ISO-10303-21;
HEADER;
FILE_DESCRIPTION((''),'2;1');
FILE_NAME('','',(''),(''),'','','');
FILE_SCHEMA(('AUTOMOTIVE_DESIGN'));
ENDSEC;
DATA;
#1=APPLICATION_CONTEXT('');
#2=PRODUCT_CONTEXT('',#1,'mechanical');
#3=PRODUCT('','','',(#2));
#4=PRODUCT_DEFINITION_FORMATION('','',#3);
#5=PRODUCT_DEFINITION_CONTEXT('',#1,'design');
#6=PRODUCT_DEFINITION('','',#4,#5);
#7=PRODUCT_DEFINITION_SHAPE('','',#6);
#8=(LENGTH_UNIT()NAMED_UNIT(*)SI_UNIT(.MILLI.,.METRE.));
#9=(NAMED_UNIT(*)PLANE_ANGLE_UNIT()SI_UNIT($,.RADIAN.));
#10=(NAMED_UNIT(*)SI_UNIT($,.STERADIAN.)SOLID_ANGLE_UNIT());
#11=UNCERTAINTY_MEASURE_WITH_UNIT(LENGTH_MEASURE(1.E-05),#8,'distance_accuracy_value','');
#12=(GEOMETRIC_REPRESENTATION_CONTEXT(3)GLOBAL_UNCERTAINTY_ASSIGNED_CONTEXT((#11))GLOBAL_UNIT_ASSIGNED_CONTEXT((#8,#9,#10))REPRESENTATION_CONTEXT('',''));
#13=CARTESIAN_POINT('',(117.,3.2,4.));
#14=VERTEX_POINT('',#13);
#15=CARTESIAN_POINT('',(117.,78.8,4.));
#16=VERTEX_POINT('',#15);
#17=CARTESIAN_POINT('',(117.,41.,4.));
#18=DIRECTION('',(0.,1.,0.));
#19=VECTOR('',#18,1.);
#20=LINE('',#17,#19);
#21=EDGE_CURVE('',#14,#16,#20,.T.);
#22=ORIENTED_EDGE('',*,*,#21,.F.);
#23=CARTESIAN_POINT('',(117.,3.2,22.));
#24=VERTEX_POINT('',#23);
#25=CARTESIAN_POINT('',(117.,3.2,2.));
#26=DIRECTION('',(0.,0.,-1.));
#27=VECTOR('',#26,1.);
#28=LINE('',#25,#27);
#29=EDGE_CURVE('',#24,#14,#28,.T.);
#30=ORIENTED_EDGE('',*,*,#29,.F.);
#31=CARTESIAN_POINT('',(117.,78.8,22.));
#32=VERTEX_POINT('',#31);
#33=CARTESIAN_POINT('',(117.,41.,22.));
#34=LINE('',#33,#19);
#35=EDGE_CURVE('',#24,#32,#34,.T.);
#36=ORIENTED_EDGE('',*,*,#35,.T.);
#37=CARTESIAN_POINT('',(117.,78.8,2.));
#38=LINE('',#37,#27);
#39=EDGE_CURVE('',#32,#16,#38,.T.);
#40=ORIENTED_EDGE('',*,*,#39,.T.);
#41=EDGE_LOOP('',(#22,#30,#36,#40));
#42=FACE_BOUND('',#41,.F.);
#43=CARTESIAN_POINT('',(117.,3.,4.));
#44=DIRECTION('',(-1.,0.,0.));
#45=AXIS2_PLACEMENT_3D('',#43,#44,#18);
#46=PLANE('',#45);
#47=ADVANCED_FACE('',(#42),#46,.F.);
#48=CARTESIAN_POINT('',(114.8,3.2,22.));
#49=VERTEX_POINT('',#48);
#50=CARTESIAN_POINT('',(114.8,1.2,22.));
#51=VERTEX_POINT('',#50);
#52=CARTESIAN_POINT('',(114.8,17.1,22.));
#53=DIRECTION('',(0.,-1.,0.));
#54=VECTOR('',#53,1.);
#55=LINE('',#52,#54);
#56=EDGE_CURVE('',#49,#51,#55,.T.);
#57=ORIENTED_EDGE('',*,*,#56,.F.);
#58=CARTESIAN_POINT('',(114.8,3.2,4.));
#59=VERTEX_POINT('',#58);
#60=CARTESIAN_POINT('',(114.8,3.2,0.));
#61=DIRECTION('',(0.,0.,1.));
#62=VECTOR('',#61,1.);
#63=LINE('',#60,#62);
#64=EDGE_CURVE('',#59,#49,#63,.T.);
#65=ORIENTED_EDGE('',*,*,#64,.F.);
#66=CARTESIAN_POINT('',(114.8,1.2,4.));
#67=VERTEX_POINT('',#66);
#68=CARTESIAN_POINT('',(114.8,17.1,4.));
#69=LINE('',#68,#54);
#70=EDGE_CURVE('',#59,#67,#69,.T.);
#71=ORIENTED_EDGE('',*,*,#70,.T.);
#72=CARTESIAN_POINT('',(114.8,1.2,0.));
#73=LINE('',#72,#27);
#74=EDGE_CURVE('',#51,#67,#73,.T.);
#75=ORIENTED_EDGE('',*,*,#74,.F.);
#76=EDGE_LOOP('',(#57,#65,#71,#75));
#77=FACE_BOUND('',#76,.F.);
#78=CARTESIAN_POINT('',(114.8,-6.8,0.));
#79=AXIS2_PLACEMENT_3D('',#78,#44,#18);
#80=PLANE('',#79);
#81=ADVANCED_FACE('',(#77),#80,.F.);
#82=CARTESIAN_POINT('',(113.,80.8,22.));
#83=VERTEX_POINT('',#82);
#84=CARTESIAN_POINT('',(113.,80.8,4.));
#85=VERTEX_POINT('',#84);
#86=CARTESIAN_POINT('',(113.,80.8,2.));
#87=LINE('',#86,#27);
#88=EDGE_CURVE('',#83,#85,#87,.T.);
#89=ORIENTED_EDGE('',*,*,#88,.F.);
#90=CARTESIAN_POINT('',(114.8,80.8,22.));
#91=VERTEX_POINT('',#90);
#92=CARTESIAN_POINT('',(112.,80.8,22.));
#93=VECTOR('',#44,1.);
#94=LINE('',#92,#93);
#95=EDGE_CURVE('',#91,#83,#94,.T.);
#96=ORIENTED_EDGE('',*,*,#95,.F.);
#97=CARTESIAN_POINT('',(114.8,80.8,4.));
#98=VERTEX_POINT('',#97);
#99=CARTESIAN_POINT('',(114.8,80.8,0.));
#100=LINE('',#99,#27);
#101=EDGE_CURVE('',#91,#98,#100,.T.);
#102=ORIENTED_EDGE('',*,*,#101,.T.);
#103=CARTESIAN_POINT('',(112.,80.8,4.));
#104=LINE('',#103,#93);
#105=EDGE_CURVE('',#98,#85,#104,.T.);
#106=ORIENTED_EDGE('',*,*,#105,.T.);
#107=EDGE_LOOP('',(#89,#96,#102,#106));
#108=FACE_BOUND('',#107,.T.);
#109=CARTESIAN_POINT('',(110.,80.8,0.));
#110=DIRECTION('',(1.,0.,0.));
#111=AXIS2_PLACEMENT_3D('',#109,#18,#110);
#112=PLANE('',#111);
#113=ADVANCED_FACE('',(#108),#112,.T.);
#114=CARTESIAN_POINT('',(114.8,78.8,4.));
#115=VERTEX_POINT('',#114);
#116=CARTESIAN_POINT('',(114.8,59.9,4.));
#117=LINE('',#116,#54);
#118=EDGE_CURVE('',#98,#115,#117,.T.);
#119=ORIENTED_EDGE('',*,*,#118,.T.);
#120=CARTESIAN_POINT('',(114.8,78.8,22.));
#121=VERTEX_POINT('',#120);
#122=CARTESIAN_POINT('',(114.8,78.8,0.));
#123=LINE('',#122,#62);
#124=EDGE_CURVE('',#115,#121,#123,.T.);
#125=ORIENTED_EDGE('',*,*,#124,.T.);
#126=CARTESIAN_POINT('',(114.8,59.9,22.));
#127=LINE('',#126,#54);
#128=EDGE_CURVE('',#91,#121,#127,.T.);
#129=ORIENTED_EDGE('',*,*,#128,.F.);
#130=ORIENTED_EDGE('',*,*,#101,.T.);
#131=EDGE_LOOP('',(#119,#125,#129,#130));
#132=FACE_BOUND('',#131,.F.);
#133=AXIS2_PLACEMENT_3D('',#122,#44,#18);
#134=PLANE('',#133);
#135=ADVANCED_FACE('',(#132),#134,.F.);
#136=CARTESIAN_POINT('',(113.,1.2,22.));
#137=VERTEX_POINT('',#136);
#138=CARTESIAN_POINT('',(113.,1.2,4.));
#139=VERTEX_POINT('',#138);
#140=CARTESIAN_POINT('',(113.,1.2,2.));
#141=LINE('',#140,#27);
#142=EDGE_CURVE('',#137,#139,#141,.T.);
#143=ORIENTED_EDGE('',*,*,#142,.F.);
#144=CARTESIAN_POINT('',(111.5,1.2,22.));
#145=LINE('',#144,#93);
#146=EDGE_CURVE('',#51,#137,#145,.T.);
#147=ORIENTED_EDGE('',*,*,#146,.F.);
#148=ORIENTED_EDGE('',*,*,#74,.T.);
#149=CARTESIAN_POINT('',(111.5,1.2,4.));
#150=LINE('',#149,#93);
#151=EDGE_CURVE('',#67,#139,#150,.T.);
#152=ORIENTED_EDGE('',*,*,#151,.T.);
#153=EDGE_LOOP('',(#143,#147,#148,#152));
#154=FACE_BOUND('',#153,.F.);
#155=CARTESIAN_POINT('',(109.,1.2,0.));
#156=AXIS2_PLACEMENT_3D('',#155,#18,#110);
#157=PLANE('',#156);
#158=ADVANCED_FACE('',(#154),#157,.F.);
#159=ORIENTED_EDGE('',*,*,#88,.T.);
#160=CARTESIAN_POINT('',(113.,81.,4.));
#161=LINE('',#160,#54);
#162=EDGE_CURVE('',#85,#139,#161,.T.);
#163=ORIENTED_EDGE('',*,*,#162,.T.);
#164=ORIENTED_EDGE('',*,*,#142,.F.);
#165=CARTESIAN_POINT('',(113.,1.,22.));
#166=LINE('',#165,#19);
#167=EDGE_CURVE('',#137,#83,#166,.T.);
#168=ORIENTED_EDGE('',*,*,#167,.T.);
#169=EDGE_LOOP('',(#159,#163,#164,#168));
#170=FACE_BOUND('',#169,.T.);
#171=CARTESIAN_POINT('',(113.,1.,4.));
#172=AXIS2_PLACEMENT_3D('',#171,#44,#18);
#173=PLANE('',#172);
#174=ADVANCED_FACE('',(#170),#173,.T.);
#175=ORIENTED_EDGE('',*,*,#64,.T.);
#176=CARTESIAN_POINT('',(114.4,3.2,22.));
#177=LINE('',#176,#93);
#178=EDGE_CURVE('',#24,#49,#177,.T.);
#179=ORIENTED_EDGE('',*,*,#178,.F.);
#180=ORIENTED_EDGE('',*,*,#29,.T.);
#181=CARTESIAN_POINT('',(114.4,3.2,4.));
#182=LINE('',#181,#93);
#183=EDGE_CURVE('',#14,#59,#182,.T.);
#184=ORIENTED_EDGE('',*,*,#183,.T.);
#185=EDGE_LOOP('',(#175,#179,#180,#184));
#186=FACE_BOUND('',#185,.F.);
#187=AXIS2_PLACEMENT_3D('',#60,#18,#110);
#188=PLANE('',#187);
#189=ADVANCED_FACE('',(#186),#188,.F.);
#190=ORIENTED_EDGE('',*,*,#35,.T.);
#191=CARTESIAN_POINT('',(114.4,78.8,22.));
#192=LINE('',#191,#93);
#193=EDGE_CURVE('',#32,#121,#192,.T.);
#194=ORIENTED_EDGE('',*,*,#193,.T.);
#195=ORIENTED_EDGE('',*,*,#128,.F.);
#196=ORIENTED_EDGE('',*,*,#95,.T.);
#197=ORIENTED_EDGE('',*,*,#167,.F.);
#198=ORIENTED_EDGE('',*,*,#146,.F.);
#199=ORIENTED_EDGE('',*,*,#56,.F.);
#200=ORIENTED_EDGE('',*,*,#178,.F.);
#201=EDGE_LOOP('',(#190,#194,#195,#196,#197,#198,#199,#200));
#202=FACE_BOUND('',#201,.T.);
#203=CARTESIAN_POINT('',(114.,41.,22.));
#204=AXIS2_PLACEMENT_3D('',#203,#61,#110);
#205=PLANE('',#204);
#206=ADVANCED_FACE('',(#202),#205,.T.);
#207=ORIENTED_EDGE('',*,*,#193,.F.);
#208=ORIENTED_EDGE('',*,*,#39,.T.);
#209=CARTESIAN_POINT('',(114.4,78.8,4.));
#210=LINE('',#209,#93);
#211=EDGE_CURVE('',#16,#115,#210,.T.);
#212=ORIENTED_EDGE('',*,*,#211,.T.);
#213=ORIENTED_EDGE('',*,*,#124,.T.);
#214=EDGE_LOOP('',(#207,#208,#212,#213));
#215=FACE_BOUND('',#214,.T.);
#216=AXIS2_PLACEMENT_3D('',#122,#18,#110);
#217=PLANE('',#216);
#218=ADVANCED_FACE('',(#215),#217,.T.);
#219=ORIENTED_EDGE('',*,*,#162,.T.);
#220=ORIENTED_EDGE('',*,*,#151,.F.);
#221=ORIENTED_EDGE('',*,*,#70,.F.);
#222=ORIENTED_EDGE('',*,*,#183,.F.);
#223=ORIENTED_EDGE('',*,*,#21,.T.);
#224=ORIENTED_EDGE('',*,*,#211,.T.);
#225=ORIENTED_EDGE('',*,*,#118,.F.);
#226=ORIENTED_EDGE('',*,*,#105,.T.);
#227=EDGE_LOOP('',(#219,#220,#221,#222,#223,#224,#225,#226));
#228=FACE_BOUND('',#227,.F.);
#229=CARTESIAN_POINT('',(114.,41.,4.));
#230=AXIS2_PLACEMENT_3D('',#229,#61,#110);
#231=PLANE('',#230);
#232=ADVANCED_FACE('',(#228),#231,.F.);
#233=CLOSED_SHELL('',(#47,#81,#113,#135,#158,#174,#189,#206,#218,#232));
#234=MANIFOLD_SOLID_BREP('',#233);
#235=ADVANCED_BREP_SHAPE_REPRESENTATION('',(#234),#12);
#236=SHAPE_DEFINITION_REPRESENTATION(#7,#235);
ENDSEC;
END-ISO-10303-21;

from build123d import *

# Parameters (mm, degrees)
BOX021_W     = 10
BOX021_H     = 10
BOX021_DEPTH = 31
BOX020_W     = 10
BOX020_H     = 10
BOX020_DEPTH = 30
BOX019_W     = 10
BOX019_H     = 10
BOX019_DEPTH = 25
BOX018_W     = 10
BOX018_H     = 10
BOX018_DEPTH = 25
BOX010_W     = 2
BOX010_H     = 80
BOX010_DEPTH = 18
BOX011_W     = 4
BOX011_H     = 76
BOX011_DEPTH = 18


with BuildPart() as w_rfel018:
    # Box021 → Box021 (new body)
    with BuildSketch(Plane(origin=(110, 80.8, 0), x_dir=(1, 0, 0), z_dir=(0, 0, 1))):
        with Locations((5, 5)):
            Rectangle(BOX021_W, BOX021_H)
    extrude(amount=BOX021_DEPTH)


with BuildPart() as w_rfel017:
    # Box020 → Box020 (new body)
    with BuildSketch(Plane(origin=(109, -8.8, 0), x_dir=(1, 0, 0), z_dir=(0, 0, 1))):
        with Locations((5, 5)):
            Rectangle(BOX020_W, BOX020_H)
    extrude(amount=BOX020_DEPTH)


with BuildPart() as w_rfel016:
    # Box019 → Box019 (new body)
    with BuildSketch(Plane(origin=(114.8, 78.8, 0), x_dir=(1, 0, 0), z_dir=(0, 0, 1))):
        with Locations((5, 5)):
            Rectangle(BOX019_W, BOX019_H)
    extrude(amount=BOX019_DEPTH)


with BuildPart() as w_rfel015:
    # Box018 → Box018 (new body)
    with BuildSketch(Plane(origin=(114.8, -6.8, 0), x_dir=(1, 0, 0), z_dir=(0, 0, 1))):
        with Locations((5, 5)):
            Rectangle(BOX018_W, BOX018_H)
    extrude(amount=BOX018_DEPTH)


with BuildPart() as f_hrung001:
    # Box010 → Box010 (new body)
    with BuildSketch(Plane(origin=(113, 1, 23), x_dir=(1, 0, 0), z_dir=(0, 0, 1))):
        with Locations((1, 40)):
            Rectangle(BOX010_W, BOX010_H)
    extrude(amount=BOX010_DEPTH)


with BuildPart() as front:
    # Box011 → Box011 (new body)
    with BuildSketch(Plane(origin=(113, 3, 23), x_dir=(1, 0, 0), z_dir=(0, 0, 1))):
        with Locations((2, 38)):
            Rectangle(BOX011_W, BOX011_H)
    extrude(amount=BOX011_DEPTH)

    # Fusion010: union Führung001
    add(f_hrung001.part)


with BuildPart() as front_1:
    # Fusion010 placement: moved
    add(front.part.moved(Location((0, 0, -19))))

    # Cut013: cut Würfel015
    add(w_rfel015.part, mode=Mode.SUBTRACT)

    # Cut014: cut Würfel016
    add(w_rfel016.part, mode=Mode.SUBTRACT)

    # Cut015: cut Würfel017
    add(w_rfel017.part, mode=Mode.SUBTRACT)

    # Cut016: cut Würfel018
    add(w_rfel018.part, mode=Mode.SUBTRACT)


solid = front_1.part
